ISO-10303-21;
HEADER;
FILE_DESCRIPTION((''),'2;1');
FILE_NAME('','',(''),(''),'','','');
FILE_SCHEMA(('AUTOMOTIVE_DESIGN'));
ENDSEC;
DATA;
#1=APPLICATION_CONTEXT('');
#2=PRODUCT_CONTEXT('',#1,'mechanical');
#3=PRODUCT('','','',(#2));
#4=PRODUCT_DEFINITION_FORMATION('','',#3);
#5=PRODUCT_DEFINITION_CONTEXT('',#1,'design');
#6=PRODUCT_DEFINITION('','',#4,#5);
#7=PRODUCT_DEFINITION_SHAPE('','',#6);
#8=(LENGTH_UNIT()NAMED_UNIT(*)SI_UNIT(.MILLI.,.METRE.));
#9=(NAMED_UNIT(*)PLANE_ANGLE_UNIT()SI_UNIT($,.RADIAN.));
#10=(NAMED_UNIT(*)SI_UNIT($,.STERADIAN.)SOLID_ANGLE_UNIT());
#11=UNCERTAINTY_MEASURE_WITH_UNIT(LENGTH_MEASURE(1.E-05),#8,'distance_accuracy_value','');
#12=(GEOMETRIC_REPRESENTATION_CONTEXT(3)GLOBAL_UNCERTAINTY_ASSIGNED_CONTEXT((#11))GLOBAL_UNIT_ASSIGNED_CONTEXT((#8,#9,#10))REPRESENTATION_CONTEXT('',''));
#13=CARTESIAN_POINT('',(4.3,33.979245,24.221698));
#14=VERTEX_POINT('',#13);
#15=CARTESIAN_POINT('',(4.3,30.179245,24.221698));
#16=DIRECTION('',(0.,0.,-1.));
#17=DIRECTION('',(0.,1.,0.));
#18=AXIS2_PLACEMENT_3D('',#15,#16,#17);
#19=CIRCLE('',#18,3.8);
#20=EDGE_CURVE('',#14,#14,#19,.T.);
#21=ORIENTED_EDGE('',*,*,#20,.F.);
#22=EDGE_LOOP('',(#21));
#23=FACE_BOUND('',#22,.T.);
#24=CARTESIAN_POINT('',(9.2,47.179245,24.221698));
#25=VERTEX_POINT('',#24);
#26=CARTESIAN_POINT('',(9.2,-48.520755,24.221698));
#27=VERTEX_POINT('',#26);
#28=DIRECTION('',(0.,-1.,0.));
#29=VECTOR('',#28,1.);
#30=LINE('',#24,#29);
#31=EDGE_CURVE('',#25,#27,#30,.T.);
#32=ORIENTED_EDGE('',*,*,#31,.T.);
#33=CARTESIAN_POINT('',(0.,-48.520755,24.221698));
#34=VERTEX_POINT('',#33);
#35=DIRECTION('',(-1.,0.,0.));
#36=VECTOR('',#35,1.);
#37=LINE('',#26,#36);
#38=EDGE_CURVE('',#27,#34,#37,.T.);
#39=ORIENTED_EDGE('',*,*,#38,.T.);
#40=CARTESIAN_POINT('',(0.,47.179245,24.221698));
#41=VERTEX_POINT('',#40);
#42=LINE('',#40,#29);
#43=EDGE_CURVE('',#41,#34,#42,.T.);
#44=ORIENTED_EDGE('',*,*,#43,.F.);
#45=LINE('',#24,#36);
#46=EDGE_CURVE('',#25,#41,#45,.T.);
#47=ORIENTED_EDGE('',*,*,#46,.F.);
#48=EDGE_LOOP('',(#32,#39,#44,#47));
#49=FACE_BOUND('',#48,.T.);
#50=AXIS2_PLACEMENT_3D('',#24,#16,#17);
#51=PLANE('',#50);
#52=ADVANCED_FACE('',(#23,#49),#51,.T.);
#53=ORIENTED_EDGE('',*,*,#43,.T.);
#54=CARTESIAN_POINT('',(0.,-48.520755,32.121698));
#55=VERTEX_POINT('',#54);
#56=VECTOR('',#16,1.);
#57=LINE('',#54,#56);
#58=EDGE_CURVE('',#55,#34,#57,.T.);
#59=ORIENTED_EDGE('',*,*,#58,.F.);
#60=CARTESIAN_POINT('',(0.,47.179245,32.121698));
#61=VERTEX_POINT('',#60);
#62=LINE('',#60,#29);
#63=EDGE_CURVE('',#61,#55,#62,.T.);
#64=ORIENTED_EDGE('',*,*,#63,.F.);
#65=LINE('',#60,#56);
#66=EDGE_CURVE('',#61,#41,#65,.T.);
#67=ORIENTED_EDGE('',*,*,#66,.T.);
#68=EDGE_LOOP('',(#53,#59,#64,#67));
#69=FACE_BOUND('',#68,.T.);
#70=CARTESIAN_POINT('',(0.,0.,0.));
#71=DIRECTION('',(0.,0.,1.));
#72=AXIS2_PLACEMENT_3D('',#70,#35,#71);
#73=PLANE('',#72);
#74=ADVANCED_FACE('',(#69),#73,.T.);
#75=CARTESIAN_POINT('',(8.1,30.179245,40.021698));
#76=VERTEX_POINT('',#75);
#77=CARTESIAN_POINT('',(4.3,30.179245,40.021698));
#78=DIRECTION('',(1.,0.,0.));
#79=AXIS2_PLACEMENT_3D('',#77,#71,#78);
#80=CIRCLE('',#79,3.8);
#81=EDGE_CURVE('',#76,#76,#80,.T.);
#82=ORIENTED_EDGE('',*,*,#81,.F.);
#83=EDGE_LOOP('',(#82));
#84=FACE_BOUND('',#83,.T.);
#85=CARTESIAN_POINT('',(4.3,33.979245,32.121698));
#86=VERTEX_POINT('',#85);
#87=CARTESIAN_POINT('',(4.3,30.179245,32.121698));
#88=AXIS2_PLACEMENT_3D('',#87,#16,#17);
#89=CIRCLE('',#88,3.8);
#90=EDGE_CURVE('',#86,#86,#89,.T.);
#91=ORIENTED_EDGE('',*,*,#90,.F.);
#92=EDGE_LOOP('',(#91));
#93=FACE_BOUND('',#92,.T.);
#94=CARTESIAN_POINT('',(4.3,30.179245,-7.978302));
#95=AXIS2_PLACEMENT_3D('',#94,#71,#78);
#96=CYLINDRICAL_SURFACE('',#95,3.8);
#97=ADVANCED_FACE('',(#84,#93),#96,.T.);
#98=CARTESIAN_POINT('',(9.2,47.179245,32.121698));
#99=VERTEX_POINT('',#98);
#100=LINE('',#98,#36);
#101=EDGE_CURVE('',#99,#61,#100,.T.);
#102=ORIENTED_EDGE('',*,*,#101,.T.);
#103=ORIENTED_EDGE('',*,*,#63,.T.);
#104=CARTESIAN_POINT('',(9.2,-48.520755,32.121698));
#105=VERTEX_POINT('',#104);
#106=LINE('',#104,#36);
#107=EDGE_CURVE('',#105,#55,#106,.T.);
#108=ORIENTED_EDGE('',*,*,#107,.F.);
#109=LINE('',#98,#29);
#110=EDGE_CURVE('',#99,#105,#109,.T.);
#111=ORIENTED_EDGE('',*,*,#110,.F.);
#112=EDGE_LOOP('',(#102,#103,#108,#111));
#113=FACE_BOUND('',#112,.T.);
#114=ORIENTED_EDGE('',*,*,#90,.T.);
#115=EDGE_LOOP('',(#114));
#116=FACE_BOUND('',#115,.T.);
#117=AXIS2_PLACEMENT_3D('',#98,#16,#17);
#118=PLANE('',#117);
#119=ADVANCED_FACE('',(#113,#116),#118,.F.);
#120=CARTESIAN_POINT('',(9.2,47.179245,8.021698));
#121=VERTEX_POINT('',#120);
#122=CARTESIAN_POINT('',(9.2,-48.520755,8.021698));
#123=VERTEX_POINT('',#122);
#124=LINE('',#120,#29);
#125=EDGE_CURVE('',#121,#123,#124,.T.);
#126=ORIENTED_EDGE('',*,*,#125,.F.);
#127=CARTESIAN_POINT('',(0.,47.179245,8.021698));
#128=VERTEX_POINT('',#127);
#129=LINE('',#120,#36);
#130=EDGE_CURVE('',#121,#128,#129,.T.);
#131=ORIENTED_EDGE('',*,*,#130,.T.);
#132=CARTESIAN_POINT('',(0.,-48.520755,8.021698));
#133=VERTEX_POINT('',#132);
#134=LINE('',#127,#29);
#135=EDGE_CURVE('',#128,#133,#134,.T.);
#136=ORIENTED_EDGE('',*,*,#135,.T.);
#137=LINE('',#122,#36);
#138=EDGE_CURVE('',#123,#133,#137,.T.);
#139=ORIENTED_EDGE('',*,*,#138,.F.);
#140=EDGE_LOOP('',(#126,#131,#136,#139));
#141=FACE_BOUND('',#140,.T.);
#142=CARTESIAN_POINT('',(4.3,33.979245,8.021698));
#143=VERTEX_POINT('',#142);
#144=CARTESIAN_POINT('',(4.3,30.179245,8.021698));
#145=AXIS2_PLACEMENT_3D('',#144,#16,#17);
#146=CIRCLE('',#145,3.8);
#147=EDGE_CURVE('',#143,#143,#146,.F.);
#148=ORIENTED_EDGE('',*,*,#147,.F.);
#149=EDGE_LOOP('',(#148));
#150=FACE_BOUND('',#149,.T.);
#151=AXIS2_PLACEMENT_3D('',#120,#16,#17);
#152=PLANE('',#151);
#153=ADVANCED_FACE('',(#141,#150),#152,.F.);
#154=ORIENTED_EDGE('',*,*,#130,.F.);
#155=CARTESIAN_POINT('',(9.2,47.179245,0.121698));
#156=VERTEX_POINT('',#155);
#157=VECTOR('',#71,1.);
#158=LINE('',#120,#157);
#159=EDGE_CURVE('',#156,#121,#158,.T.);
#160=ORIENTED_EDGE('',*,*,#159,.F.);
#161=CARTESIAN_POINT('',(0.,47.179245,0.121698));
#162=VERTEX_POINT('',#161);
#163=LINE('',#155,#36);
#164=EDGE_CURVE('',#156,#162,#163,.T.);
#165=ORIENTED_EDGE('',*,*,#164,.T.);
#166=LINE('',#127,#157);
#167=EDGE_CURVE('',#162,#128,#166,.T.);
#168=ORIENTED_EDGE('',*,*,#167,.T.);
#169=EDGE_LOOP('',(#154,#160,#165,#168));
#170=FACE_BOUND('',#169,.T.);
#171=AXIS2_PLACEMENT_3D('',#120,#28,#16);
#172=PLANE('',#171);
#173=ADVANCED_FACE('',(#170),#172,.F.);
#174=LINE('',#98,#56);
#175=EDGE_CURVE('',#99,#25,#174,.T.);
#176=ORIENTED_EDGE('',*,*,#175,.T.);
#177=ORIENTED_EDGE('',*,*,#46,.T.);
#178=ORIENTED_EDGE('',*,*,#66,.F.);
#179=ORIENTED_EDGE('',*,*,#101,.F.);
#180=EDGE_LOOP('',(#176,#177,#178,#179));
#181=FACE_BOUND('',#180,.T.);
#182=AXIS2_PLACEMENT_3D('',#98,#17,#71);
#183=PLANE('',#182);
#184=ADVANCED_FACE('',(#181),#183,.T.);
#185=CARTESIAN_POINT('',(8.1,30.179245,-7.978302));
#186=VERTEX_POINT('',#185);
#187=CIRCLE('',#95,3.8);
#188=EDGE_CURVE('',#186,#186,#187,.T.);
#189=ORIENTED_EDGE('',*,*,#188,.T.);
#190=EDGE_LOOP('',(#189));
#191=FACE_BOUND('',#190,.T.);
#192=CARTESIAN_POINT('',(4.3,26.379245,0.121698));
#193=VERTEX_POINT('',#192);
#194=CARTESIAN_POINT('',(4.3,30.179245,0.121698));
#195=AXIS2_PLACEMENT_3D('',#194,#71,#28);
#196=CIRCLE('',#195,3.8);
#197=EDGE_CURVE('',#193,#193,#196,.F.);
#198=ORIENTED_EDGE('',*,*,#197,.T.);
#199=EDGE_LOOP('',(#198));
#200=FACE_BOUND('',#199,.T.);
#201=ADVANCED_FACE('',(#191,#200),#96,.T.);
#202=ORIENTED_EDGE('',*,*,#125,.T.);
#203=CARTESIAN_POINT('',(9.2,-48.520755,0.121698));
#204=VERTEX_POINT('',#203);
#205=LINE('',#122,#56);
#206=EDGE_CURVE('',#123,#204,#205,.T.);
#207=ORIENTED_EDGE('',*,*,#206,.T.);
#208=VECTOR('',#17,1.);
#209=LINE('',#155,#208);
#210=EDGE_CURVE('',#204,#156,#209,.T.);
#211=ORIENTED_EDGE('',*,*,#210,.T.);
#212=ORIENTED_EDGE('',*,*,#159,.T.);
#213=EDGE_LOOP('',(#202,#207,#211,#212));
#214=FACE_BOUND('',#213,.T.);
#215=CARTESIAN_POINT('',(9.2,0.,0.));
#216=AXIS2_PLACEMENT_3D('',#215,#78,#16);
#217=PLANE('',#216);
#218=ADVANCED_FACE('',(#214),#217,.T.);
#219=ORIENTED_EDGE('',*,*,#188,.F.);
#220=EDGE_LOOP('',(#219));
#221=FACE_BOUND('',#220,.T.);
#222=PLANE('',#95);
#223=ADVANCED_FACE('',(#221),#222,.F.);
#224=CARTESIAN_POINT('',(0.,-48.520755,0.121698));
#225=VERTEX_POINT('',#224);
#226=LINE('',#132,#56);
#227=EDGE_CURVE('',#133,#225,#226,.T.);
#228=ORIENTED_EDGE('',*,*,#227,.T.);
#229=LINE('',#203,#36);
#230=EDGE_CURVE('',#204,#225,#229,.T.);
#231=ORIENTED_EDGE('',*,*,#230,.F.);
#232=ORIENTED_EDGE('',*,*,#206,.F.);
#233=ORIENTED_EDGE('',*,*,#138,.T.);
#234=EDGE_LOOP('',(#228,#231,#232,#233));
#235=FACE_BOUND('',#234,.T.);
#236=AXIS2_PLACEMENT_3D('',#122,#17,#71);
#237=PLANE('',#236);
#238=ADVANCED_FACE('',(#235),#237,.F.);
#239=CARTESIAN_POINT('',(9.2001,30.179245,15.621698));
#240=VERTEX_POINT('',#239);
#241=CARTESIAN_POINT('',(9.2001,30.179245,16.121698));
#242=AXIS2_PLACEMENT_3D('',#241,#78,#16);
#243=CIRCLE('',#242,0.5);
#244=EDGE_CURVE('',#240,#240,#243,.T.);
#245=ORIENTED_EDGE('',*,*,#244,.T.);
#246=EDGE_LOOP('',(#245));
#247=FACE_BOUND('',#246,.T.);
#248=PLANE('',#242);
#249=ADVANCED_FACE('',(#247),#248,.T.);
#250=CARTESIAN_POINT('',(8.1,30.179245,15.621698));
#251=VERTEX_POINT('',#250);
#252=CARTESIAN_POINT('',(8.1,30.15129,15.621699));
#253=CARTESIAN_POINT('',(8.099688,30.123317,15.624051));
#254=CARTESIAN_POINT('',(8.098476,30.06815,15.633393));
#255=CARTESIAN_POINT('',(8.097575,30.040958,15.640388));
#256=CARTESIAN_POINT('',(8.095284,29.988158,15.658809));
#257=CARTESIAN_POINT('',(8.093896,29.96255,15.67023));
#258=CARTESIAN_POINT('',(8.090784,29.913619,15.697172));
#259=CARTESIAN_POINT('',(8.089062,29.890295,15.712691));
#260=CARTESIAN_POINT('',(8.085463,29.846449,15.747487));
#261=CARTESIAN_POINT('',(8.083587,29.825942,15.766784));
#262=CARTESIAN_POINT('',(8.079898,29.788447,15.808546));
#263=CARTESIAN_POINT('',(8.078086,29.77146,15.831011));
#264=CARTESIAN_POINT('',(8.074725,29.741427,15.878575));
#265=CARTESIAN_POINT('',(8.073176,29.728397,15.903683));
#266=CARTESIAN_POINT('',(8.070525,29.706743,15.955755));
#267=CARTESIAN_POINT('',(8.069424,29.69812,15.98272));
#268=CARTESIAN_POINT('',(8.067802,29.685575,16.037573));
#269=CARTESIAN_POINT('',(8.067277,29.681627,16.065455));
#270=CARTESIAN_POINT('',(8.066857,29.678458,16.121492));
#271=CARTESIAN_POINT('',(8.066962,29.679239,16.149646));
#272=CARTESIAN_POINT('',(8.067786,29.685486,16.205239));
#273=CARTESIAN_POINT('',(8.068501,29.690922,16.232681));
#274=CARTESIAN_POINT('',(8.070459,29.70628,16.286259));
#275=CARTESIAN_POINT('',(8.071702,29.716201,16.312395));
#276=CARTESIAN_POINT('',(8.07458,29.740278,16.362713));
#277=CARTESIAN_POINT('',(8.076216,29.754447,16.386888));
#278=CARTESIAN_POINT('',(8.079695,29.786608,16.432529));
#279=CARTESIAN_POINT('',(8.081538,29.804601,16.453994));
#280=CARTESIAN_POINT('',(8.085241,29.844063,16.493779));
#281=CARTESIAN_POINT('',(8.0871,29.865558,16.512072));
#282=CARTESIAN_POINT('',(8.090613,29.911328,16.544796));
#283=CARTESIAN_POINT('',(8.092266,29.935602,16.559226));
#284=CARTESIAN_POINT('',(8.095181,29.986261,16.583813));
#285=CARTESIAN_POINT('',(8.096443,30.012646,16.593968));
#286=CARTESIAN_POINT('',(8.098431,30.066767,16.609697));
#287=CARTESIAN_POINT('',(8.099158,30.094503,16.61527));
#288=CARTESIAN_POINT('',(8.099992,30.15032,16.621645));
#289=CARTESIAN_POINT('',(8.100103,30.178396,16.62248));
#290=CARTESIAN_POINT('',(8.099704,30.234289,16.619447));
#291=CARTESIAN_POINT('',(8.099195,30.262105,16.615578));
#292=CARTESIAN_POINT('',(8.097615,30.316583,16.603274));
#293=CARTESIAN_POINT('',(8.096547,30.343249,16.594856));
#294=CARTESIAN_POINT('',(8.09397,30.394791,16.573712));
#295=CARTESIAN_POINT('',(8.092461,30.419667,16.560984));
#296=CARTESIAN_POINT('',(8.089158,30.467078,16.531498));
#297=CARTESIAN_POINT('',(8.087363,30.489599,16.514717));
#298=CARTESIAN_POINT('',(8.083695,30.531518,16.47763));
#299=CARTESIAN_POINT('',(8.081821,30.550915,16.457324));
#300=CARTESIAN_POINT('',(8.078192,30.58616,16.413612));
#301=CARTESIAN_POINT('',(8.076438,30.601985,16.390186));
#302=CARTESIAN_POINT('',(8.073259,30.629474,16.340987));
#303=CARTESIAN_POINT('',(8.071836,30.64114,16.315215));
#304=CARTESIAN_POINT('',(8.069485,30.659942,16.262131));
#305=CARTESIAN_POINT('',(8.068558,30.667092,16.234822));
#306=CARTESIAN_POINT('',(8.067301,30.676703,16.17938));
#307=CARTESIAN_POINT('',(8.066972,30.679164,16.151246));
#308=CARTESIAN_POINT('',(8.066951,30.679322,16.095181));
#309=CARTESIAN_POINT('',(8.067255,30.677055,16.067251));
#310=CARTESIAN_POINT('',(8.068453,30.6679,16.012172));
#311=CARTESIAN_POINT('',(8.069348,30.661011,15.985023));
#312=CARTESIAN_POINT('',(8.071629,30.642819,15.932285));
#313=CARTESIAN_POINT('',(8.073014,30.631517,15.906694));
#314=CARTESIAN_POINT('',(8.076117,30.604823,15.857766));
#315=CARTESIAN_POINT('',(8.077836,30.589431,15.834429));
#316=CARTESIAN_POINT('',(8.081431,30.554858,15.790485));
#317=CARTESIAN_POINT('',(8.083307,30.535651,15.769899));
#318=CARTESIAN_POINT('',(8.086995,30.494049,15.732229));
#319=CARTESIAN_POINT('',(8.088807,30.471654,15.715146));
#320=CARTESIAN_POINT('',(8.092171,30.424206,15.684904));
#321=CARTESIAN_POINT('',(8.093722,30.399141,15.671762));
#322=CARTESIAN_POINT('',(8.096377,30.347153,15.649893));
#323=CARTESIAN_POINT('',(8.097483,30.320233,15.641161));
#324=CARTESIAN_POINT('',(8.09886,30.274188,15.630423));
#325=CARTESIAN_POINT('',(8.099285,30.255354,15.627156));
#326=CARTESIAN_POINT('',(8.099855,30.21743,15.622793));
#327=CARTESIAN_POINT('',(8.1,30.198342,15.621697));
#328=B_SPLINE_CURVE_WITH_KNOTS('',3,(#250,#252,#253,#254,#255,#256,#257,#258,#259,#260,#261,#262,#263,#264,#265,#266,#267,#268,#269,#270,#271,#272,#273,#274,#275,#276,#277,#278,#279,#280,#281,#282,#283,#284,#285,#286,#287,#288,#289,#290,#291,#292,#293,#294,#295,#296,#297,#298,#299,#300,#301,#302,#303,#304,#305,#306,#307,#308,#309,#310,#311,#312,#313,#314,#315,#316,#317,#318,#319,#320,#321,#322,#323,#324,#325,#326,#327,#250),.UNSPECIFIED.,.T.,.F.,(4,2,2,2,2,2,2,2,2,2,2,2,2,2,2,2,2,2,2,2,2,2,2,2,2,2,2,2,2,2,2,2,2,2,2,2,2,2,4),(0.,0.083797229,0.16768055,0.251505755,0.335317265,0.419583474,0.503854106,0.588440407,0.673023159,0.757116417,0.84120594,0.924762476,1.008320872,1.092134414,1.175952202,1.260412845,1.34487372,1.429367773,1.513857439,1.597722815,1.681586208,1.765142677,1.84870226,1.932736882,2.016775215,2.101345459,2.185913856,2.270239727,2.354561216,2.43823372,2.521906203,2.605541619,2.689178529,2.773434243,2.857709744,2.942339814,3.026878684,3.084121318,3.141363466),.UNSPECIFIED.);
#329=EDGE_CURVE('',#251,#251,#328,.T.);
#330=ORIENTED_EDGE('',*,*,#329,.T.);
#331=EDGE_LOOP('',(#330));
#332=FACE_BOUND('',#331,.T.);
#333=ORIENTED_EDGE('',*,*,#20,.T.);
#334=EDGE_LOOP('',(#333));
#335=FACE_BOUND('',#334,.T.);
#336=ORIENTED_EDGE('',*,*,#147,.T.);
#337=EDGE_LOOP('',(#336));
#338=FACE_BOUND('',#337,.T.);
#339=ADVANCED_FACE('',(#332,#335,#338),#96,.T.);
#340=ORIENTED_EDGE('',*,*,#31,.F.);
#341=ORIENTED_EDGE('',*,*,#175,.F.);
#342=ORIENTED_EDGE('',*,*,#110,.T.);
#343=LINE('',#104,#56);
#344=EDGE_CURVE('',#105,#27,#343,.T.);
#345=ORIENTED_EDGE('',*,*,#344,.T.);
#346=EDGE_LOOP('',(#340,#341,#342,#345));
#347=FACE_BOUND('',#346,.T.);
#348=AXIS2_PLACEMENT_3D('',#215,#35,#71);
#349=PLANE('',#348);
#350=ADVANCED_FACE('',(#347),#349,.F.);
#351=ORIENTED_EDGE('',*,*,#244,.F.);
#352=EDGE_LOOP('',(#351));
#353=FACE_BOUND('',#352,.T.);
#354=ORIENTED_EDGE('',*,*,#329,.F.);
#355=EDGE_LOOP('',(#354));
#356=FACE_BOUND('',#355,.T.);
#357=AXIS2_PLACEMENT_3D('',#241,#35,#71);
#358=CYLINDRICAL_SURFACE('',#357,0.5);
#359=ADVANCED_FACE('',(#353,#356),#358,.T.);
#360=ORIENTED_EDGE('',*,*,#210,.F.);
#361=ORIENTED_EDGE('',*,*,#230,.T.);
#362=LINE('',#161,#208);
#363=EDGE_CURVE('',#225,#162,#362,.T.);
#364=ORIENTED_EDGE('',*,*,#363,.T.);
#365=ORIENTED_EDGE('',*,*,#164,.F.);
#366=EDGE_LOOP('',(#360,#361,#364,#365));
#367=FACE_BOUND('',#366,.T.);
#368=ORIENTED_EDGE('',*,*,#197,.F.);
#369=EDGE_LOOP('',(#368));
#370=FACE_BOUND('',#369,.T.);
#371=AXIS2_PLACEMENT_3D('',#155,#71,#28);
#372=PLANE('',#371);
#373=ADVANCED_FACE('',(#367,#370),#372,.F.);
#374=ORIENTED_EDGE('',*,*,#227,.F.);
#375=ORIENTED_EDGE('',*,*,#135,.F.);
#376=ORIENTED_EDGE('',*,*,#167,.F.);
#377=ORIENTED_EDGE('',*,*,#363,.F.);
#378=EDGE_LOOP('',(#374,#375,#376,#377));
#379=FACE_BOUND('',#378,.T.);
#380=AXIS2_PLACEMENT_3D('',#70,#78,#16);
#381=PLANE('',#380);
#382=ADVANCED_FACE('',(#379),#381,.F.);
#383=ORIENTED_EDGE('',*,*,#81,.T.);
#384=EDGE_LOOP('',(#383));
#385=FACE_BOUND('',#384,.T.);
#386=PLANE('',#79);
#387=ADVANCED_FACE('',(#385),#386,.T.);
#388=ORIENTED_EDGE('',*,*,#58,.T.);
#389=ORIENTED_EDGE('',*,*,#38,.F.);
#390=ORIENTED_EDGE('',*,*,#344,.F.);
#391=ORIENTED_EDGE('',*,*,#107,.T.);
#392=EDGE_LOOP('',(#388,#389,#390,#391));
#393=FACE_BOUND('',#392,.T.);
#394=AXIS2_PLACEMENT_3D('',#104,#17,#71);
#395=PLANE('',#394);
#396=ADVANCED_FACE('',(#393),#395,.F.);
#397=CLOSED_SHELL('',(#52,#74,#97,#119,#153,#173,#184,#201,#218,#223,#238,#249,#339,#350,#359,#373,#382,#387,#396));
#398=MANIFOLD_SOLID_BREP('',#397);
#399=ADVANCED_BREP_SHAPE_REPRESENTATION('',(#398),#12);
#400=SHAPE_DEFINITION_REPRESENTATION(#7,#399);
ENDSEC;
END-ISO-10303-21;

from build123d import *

# Parameters (mm, degrees)
SKETCH1_W                = 7.9
SKETCH1_H                = 95.7
BOSS_EXTRUDE1_DEPTH      = 9.2
SKETCH1_3_W              = 7.9
SKETCH1_3_H              = 95.7
BOSS_EXTRUDE2_DEPTH      = 9.2
BOSS_EXTRUDE3_DEPTH      = 32
BOSS_EXTRUDE3_DEPTH_BACK = 16
SKETCH2_R                = 3.8
BOSS_EXTRUDE4_DEPTH      = 0.0001
BOSS_EXTRUDE4_DEPTH_BACK = 6
SKETCH4_R                = 0.5


with BuildPart() as part:
    # Sketch1 → Boss-Extrude1 (new body)
    with BuildSketch(Plane(origin=(0, 0, 0), x_dir=(0, 0, -1), z_dir=(1, 0, 0))):
        with Locations((-28.171698113, -0.670754717)):
            Rectangle(SKETCH1_W, SKETCH1_H)
    extrude(amount=BOSS_EXTRUDE1_DEPTH)

    # Sketch1<3> → Boss-Extrude2 (add)
    with BuildSketch(Plane(origin=(0, 0, 0), x_dir=(0, 0, -1), z_dir=(1, 0, 0))):
        with Locations((-28.171698113, -0.670754717)):
            Rectangle(SKETCH1_3_W, SKETCH1_3_H)
        with Locations((-4.071698113, -0.670754717)):
            Rectangle(SKETCH1_3_W, SKETCH1_3_H)
    extrude(amount=BOSS_EXTRUDE2_DEPTH)


with BuildPart() as boss_extrude2_piece_1:
    # of the separate pieces the step leaves, piece 1, a body of its own (boss_extrude2_pieces)
    add(part.part.solids().sort_by_distance((0, 47.179245283, 8.021698113))[0])



with BuildPart() as boss_extrude2_piece_2:
    # of the separate pieces the step leaves, piece 2, a body of its own (boss_extrude2_pieces)
    add(part.part.solids().sort_by_distance((0, 47.179245283, 32.121698113))[0])


with BuildPart() as boss_extrude2_piece_1_1:
    add(boss_extrude2_piece_1.part)

    add(boss_extrude2_piece_2.part)  # Boss-Extrude3 merges Boss-Extrude2 piece 2
    # Sketch2 → Boss-Extrude3 (add, two sides: drawn at the far end of the back side and taken through both)
    with BuildSketch(Plane.XY.offset(8.021698113).offset(-BOSS_EXTRUDE3_DEPTH_BACK)):
        with Locations((4.3, 30.179245283)):
            Circle(SKETCH2_R)
    extrude(amount=BOSS_EXTRUDE3_DEPTH + BOSS_EXTRUDE3_DEPTH_BACK)

    # Sketch4 → Boss-Extrude4 (add, two sides: drawn at the far end of the back side and taken through both)
    with BuildSketch(Plane(origin=(9.2, 0, 0), x_dir=(0, 0, -1), z_dir=(1, 0, 0)).offset(-BOSS_EXTRUDE4_DEPTH_BACK)):
        with Locations((-16.121698113, 30.179245283)):
            Circle(SKETCH4_R)
    extrude(amount=BOSS_EXTRUDE4_DEPTH + BOSS_EXTRUDE4_DEPTH_BACK)


solid = boss_extrude2_piece_1_1.part
